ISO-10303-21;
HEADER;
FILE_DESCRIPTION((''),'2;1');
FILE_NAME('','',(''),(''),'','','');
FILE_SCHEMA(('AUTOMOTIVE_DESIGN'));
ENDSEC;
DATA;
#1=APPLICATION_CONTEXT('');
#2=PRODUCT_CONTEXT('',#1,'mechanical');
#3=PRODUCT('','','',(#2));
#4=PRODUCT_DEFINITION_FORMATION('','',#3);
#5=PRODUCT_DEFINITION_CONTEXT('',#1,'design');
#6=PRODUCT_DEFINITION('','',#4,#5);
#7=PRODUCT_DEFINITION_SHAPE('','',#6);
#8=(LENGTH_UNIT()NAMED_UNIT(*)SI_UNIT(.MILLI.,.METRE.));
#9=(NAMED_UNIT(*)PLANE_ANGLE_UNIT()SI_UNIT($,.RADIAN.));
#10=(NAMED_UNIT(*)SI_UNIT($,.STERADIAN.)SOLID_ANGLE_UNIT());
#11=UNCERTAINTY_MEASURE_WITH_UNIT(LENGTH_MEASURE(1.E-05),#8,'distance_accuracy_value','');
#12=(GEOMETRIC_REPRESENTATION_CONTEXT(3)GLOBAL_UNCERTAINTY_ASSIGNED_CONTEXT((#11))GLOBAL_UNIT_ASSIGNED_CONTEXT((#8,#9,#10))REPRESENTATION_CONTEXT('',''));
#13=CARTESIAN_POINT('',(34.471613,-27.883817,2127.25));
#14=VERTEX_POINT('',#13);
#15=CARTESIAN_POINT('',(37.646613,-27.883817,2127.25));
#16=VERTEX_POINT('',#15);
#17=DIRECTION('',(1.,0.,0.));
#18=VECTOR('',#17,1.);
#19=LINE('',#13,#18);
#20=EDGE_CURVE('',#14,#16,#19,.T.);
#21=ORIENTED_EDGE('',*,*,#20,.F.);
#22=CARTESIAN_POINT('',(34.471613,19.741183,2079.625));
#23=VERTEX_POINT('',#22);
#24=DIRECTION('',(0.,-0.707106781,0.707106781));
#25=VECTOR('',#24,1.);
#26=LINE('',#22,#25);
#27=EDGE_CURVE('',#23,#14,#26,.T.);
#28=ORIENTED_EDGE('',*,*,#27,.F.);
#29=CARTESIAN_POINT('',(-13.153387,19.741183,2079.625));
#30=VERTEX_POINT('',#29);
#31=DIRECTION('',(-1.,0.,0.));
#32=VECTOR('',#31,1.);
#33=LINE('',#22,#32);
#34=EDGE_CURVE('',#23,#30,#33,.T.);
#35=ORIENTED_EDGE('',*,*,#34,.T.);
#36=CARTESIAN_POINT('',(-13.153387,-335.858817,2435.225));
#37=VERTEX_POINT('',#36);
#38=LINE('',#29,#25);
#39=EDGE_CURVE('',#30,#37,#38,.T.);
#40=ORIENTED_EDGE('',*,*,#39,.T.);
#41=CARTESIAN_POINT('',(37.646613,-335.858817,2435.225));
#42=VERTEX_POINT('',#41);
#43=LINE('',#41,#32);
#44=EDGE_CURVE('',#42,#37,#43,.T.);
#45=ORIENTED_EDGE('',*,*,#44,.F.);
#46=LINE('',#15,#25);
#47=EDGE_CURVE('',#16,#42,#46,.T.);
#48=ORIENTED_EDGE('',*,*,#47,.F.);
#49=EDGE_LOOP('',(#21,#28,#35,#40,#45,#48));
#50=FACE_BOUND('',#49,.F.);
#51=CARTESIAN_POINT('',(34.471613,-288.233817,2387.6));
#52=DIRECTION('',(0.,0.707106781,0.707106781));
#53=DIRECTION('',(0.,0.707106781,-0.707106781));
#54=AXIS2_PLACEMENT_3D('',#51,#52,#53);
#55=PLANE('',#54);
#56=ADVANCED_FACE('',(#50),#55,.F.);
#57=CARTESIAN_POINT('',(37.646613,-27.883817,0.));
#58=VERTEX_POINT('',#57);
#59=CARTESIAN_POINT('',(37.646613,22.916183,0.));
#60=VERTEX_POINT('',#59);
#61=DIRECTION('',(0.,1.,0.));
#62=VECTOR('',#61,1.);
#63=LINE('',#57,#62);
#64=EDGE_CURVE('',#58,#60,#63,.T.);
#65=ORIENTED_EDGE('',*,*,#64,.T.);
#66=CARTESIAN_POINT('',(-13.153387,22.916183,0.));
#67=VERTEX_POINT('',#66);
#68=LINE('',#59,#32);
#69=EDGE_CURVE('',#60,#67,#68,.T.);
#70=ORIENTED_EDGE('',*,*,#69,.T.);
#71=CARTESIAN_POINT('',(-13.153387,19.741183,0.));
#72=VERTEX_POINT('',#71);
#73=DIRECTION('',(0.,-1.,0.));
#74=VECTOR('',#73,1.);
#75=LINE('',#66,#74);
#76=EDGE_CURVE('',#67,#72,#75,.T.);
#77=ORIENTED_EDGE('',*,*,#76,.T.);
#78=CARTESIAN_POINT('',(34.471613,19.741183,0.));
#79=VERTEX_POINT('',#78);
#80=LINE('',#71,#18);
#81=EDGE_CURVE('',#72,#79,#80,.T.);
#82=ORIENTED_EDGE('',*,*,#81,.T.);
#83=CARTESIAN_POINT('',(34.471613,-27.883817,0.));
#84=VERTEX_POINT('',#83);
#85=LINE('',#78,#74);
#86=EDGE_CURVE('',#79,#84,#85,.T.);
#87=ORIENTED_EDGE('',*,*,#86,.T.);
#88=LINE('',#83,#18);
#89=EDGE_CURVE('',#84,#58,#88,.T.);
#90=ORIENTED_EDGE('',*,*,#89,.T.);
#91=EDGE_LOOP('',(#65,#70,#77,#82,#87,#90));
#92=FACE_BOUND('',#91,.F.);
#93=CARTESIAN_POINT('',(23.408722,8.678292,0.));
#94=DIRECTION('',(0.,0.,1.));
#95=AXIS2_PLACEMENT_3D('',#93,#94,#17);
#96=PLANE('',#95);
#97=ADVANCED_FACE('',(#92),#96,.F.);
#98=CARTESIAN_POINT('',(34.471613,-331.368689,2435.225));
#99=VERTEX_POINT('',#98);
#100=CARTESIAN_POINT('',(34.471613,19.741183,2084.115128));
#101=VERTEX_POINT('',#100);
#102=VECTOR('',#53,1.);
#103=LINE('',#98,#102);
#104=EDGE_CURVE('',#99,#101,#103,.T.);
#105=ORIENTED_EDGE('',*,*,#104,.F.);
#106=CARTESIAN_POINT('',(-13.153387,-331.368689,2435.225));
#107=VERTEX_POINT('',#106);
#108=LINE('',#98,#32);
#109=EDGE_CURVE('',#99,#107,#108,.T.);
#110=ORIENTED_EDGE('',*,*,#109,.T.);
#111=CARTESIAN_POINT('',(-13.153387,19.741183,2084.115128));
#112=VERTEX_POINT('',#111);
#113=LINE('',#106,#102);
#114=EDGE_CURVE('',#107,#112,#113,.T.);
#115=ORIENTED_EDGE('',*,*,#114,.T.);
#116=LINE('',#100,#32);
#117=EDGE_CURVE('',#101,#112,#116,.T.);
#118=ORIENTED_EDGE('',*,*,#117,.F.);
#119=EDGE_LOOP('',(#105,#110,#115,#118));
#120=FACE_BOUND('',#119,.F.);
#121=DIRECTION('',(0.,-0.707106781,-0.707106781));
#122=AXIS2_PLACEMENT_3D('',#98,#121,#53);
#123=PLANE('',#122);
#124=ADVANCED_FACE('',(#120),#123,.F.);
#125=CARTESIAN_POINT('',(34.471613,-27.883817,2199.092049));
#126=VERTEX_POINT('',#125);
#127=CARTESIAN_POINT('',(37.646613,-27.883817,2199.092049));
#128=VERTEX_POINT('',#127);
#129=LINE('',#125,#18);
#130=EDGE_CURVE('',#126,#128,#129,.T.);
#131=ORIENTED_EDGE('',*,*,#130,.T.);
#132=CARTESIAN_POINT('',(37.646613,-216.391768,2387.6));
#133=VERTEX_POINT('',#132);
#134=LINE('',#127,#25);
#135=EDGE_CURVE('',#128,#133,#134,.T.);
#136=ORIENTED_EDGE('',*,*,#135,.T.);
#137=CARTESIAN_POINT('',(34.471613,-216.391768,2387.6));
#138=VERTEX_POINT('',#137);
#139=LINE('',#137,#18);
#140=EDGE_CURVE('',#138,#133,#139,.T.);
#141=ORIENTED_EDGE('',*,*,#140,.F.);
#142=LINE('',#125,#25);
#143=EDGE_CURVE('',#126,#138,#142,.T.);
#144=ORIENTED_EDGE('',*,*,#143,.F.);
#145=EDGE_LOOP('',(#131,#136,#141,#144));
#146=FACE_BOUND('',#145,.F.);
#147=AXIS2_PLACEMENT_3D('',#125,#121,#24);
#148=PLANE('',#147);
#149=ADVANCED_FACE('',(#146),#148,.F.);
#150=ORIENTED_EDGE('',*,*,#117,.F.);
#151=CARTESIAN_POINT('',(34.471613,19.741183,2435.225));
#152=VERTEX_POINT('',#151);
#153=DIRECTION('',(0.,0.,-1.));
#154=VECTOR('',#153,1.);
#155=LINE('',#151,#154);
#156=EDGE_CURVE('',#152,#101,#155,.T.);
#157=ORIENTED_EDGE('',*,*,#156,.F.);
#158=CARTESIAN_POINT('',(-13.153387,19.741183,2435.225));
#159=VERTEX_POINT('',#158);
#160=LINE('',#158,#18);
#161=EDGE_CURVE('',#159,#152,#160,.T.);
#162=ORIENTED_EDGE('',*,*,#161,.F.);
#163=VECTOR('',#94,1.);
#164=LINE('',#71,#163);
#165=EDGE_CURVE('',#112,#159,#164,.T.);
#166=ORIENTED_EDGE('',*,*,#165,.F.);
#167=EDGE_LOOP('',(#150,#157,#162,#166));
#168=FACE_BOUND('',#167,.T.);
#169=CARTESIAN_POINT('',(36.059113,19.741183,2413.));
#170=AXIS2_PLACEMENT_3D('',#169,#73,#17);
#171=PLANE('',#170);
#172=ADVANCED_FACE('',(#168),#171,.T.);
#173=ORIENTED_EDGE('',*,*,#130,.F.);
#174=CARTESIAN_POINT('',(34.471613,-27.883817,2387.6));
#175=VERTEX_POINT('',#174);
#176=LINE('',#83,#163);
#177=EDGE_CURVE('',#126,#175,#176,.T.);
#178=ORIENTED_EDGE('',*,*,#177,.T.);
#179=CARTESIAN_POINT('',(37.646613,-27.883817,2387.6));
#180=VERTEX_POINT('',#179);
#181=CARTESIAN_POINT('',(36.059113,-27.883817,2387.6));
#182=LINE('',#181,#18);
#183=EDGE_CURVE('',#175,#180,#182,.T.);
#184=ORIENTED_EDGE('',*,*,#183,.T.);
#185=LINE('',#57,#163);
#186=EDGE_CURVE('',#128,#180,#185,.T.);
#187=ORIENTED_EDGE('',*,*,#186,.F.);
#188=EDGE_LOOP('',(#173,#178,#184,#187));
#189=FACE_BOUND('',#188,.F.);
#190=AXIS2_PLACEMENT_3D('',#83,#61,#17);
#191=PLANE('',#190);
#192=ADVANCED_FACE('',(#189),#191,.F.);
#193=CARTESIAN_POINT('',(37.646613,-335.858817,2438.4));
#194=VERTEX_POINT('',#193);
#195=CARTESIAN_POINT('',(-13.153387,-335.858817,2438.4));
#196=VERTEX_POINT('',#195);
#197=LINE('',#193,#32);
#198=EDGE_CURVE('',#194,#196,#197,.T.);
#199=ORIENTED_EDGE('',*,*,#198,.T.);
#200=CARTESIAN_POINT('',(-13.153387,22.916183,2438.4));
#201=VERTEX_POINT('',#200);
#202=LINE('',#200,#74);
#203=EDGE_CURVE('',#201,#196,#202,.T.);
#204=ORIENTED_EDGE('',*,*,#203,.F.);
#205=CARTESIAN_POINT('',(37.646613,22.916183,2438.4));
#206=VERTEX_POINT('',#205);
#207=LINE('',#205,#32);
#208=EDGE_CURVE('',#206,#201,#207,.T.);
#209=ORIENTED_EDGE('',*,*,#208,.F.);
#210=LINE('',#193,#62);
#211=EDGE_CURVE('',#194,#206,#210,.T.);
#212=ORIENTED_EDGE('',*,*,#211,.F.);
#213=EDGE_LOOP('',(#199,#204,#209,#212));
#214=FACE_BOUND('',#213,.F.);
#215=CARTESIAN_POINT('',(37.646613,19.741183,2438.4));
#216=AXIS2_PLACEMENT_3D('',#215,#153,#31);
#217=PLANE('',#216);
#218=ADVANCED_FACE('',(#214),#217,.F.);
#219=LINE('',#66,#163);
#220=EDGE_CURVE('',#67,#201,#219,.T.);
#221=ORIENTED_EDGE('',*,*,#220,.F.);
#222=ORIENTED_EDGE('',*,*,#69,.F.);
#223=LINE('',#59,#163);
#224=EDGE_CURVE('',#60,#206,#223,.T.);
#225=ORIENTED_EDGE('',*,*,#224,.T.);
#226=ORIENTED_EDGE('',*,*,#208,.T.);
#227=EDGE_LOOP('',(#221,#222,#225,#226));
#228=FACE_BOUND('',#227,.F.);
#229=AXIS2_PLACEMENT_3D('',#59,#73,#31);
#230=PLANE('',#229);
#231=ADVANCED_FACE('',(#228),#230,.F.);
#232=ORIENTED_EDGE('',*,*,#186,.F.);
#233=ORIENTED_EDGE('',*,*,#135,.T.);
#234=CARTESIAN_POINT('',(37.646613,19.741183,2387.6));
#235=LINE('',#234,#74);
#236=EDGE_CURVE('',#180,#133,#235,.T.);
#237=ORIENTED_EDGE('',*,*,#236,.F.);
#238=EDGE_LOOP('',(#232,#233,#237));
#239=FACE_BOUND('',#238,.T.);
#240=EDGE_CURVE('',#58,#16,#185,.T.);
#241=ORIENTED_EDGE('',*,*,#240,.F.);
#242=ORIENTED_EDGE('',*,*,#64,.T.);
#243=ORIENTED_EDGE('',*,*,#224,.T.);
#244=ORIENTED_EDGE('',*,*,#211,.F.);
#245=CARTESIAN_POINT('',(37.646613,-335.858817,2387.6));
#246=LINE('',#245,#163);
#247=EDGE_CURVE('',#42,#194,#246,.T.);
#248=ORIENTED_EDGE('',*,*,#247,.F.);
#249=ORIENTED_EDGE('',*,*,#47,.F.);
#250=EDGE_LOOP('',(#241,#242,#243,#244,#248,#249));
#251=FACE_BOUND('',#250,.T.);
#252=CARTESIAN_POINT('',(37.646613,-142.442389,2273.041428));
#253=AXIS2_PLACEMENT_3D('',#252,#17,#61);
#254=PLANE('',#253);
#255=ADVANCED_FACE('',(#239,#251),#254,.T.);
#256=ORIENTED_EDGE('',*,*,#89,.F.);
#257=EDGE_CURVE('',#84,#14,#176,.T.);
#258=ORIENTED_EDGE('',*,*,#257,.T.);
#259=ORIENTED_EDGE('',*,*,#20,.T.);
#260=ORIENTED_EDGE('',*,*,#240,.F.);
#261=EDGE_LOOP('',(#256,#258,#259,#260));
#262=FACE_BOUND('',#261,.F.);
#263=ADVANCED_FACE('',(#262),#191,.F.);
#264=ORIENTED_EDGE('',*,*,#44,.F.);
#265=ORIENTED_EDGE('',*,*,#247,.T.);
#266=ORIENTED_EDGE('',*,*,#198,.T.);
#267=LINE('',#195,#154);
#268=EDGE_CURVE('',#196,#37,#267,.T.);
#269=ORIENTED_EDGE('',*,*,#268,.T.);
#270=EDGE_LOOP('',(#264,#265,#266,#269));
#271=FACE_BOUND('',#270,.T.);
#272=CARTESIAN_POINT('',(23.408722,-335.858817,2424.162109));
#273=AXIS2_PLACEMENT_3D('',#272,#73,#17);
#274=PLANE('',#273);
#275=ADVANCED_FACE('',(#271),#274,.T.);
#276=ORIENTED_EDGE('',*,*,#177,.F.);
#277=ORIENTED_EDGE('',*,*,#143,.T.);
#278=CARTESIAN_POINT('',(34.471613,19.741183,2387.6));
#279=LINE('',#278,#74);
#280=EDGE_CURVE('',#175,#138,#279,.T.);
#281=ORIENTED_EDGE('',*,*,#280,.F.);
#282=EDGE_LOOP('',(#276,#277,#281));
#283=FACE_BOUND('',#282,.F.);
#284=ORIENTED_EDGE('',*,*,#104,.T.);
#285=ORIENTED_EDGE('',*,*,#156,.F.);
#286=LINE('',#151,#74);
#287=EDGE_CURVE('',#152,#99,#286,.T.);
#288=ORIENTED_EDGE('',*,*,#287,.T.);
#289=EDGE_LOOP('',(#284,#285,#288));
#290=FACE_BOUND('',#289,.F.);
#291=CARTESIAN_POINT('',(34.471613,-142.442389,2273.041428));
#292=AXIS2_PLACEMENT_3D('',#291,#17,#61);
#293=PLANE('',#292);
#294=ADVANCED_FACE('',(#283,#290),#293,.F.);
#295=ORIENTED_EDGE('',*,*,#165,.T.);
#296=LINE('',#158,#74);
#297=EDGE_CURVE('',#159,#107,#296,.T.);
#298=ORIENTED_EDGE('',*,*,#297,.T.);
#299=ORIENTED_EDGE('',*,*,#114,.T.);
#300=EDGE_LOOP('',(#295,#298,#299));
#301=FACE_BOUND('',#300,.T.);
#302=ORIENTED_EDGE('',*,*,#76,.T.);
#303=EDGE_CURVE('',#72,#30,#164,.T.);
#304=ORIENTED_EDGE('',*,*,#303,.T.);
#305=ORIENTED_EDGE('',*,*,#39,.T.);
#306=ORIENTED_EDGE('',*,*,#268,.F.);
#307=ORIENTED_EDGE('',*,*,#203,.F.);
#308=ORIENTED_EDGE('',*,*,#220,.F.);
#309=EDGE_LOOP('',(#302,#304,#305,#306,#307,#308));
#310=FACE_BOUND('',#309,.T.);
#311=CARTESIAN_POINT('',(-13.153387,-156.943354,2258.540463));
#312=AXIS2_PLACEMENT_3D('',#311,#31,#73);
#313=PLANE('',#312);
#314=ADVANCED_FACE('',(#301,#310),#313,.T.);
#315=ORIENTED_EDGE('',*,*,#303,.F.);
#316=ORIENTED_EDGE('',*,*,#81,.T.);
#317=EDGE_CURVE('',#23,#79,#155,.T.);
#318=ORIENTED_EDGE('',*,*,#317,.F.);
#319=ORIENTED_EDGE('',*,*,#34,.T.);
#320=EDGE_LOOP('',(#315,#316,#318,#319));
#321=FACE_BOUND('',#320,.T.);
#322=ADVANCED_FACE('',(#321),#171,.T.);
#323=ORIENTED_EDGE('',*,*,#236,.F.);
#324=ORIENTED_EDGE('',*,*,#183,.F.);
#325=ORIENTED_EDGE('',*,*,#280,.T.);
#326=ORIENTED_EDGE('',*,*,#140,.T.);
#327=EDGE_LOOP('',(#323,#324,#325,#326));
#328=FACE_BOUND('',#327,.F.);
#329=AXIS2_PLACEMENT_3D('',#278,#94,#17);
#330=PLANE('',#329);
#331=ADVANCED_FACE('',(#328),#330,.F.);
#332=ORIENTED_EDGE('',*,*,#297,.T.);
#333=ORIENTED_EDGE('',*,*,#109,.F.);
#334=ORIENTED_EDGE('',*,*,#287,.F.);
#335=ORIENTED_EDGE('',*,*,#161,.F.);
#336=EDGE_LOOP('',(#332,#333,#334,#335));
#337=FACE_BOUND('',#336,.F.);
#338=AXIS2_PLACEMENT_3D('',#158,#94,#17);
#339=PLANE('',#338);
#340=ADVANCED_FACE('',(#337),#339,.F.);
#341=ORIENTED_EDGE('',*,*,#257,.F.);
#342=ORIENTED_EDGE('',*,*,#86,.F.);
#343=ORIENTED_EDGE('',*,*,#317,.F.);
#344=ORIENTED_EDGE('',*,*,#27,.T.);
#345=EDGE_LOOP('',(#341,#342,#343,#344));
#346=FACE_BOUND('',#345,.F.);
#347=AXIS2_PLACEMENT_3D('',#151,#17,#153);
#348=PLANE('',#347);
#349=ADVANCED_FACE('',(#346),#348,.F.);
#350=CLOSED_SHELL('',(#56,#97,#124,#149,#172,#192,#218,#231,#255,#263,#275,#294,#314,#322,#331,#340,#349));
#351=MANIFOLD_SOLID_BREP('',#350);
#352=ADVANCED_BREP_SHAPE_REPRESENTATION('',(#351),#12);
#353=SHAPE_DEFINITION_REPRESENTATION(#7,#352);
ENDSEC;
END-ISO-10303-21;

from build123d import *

# Parameters (mm, degrees)
F1_DEPTH  = 2438.4
F2_W      = 3.175
F2_H      = 50.8
F3_DEPTH  = 47.625
F5_DEPTH  = 355.6
F7_DEPTH  = 47.625
F9_DEPTH  = 3.175
F11_DEPTH = 25.4


with BuildPart() as f1:
    # F0 (on Top) → F1 (new body)
    with BuildSketch(Plane.XY):
        Polygon((37.646613, 22.916183), (-13.153387, 22.916183), (-13.153387, 19.741183), (34.471613, 19.741183), (34.471613, -27.883817), (37.646613, -27.883817), align=None)
    extrude(amount=F1_DEPTH)

    # F2 (on face) → F3 (cut)
    with BuildSketch(Plane.XZ.offset(27.883817)):
        with Locations((36.059113, 2413)):
            Rectangle(F2_W, F2_H)
    extrude(amount=-F3_DEPTH, mode=Mode.SUBTRACT)

    # F4 (on face) → F5 (join)
    with BuildSketch(Plane.XZ.offset(-19.741183)):
        Polygon((37.646613, 2438.4), (-13.153387, 2438.4), (-13.153387, 2435.225), (34.471613, 2435.225), (34.471613, 2387.6), (37.646613, 2387.6), align=None)
    extrude(amount=F5_DEPTH)

    # F6 (on face) → F7 (join)
    with BuildSketch(Plane(origin=(34.471613, 0, 0), x_dir=(0, -1, 0), z_dir=(-1, 0, 0))):
        Polygon((-19.741183, 2079.625), (335.858817, 2435.225), (331.368689, 2435.225), (-19.741183, 2084.115128), align=None)
    extrude(amount=F7_DEPTH)

    # F8 (on face) → F9 (join)
    with BuildSketch(Plane.YZ.offset(34.471613)):
        Polygon((-216.391768, 2387.6), (-288.233817, 2387.6), (-27.883817, 2127.25), (-27.883817, 2199.092049), align=None)
    extrude(amount=F9_DEPTH)

    # F10 (on face) → F11 (cut)
    with BuildSketch(Plane(origin=(34.471613, 0, 0), x_dir=(0, -1, 0), z_dir=(-1, 0, 0))):
        Polygon((335.858817, 2387.6), (335.858817, 2435.225), (288.233817, 2387.6), align=None)
    extrude(amount=-F11_DEPTH, mode=Mode.SUBTRACT)


solid = f1.part
